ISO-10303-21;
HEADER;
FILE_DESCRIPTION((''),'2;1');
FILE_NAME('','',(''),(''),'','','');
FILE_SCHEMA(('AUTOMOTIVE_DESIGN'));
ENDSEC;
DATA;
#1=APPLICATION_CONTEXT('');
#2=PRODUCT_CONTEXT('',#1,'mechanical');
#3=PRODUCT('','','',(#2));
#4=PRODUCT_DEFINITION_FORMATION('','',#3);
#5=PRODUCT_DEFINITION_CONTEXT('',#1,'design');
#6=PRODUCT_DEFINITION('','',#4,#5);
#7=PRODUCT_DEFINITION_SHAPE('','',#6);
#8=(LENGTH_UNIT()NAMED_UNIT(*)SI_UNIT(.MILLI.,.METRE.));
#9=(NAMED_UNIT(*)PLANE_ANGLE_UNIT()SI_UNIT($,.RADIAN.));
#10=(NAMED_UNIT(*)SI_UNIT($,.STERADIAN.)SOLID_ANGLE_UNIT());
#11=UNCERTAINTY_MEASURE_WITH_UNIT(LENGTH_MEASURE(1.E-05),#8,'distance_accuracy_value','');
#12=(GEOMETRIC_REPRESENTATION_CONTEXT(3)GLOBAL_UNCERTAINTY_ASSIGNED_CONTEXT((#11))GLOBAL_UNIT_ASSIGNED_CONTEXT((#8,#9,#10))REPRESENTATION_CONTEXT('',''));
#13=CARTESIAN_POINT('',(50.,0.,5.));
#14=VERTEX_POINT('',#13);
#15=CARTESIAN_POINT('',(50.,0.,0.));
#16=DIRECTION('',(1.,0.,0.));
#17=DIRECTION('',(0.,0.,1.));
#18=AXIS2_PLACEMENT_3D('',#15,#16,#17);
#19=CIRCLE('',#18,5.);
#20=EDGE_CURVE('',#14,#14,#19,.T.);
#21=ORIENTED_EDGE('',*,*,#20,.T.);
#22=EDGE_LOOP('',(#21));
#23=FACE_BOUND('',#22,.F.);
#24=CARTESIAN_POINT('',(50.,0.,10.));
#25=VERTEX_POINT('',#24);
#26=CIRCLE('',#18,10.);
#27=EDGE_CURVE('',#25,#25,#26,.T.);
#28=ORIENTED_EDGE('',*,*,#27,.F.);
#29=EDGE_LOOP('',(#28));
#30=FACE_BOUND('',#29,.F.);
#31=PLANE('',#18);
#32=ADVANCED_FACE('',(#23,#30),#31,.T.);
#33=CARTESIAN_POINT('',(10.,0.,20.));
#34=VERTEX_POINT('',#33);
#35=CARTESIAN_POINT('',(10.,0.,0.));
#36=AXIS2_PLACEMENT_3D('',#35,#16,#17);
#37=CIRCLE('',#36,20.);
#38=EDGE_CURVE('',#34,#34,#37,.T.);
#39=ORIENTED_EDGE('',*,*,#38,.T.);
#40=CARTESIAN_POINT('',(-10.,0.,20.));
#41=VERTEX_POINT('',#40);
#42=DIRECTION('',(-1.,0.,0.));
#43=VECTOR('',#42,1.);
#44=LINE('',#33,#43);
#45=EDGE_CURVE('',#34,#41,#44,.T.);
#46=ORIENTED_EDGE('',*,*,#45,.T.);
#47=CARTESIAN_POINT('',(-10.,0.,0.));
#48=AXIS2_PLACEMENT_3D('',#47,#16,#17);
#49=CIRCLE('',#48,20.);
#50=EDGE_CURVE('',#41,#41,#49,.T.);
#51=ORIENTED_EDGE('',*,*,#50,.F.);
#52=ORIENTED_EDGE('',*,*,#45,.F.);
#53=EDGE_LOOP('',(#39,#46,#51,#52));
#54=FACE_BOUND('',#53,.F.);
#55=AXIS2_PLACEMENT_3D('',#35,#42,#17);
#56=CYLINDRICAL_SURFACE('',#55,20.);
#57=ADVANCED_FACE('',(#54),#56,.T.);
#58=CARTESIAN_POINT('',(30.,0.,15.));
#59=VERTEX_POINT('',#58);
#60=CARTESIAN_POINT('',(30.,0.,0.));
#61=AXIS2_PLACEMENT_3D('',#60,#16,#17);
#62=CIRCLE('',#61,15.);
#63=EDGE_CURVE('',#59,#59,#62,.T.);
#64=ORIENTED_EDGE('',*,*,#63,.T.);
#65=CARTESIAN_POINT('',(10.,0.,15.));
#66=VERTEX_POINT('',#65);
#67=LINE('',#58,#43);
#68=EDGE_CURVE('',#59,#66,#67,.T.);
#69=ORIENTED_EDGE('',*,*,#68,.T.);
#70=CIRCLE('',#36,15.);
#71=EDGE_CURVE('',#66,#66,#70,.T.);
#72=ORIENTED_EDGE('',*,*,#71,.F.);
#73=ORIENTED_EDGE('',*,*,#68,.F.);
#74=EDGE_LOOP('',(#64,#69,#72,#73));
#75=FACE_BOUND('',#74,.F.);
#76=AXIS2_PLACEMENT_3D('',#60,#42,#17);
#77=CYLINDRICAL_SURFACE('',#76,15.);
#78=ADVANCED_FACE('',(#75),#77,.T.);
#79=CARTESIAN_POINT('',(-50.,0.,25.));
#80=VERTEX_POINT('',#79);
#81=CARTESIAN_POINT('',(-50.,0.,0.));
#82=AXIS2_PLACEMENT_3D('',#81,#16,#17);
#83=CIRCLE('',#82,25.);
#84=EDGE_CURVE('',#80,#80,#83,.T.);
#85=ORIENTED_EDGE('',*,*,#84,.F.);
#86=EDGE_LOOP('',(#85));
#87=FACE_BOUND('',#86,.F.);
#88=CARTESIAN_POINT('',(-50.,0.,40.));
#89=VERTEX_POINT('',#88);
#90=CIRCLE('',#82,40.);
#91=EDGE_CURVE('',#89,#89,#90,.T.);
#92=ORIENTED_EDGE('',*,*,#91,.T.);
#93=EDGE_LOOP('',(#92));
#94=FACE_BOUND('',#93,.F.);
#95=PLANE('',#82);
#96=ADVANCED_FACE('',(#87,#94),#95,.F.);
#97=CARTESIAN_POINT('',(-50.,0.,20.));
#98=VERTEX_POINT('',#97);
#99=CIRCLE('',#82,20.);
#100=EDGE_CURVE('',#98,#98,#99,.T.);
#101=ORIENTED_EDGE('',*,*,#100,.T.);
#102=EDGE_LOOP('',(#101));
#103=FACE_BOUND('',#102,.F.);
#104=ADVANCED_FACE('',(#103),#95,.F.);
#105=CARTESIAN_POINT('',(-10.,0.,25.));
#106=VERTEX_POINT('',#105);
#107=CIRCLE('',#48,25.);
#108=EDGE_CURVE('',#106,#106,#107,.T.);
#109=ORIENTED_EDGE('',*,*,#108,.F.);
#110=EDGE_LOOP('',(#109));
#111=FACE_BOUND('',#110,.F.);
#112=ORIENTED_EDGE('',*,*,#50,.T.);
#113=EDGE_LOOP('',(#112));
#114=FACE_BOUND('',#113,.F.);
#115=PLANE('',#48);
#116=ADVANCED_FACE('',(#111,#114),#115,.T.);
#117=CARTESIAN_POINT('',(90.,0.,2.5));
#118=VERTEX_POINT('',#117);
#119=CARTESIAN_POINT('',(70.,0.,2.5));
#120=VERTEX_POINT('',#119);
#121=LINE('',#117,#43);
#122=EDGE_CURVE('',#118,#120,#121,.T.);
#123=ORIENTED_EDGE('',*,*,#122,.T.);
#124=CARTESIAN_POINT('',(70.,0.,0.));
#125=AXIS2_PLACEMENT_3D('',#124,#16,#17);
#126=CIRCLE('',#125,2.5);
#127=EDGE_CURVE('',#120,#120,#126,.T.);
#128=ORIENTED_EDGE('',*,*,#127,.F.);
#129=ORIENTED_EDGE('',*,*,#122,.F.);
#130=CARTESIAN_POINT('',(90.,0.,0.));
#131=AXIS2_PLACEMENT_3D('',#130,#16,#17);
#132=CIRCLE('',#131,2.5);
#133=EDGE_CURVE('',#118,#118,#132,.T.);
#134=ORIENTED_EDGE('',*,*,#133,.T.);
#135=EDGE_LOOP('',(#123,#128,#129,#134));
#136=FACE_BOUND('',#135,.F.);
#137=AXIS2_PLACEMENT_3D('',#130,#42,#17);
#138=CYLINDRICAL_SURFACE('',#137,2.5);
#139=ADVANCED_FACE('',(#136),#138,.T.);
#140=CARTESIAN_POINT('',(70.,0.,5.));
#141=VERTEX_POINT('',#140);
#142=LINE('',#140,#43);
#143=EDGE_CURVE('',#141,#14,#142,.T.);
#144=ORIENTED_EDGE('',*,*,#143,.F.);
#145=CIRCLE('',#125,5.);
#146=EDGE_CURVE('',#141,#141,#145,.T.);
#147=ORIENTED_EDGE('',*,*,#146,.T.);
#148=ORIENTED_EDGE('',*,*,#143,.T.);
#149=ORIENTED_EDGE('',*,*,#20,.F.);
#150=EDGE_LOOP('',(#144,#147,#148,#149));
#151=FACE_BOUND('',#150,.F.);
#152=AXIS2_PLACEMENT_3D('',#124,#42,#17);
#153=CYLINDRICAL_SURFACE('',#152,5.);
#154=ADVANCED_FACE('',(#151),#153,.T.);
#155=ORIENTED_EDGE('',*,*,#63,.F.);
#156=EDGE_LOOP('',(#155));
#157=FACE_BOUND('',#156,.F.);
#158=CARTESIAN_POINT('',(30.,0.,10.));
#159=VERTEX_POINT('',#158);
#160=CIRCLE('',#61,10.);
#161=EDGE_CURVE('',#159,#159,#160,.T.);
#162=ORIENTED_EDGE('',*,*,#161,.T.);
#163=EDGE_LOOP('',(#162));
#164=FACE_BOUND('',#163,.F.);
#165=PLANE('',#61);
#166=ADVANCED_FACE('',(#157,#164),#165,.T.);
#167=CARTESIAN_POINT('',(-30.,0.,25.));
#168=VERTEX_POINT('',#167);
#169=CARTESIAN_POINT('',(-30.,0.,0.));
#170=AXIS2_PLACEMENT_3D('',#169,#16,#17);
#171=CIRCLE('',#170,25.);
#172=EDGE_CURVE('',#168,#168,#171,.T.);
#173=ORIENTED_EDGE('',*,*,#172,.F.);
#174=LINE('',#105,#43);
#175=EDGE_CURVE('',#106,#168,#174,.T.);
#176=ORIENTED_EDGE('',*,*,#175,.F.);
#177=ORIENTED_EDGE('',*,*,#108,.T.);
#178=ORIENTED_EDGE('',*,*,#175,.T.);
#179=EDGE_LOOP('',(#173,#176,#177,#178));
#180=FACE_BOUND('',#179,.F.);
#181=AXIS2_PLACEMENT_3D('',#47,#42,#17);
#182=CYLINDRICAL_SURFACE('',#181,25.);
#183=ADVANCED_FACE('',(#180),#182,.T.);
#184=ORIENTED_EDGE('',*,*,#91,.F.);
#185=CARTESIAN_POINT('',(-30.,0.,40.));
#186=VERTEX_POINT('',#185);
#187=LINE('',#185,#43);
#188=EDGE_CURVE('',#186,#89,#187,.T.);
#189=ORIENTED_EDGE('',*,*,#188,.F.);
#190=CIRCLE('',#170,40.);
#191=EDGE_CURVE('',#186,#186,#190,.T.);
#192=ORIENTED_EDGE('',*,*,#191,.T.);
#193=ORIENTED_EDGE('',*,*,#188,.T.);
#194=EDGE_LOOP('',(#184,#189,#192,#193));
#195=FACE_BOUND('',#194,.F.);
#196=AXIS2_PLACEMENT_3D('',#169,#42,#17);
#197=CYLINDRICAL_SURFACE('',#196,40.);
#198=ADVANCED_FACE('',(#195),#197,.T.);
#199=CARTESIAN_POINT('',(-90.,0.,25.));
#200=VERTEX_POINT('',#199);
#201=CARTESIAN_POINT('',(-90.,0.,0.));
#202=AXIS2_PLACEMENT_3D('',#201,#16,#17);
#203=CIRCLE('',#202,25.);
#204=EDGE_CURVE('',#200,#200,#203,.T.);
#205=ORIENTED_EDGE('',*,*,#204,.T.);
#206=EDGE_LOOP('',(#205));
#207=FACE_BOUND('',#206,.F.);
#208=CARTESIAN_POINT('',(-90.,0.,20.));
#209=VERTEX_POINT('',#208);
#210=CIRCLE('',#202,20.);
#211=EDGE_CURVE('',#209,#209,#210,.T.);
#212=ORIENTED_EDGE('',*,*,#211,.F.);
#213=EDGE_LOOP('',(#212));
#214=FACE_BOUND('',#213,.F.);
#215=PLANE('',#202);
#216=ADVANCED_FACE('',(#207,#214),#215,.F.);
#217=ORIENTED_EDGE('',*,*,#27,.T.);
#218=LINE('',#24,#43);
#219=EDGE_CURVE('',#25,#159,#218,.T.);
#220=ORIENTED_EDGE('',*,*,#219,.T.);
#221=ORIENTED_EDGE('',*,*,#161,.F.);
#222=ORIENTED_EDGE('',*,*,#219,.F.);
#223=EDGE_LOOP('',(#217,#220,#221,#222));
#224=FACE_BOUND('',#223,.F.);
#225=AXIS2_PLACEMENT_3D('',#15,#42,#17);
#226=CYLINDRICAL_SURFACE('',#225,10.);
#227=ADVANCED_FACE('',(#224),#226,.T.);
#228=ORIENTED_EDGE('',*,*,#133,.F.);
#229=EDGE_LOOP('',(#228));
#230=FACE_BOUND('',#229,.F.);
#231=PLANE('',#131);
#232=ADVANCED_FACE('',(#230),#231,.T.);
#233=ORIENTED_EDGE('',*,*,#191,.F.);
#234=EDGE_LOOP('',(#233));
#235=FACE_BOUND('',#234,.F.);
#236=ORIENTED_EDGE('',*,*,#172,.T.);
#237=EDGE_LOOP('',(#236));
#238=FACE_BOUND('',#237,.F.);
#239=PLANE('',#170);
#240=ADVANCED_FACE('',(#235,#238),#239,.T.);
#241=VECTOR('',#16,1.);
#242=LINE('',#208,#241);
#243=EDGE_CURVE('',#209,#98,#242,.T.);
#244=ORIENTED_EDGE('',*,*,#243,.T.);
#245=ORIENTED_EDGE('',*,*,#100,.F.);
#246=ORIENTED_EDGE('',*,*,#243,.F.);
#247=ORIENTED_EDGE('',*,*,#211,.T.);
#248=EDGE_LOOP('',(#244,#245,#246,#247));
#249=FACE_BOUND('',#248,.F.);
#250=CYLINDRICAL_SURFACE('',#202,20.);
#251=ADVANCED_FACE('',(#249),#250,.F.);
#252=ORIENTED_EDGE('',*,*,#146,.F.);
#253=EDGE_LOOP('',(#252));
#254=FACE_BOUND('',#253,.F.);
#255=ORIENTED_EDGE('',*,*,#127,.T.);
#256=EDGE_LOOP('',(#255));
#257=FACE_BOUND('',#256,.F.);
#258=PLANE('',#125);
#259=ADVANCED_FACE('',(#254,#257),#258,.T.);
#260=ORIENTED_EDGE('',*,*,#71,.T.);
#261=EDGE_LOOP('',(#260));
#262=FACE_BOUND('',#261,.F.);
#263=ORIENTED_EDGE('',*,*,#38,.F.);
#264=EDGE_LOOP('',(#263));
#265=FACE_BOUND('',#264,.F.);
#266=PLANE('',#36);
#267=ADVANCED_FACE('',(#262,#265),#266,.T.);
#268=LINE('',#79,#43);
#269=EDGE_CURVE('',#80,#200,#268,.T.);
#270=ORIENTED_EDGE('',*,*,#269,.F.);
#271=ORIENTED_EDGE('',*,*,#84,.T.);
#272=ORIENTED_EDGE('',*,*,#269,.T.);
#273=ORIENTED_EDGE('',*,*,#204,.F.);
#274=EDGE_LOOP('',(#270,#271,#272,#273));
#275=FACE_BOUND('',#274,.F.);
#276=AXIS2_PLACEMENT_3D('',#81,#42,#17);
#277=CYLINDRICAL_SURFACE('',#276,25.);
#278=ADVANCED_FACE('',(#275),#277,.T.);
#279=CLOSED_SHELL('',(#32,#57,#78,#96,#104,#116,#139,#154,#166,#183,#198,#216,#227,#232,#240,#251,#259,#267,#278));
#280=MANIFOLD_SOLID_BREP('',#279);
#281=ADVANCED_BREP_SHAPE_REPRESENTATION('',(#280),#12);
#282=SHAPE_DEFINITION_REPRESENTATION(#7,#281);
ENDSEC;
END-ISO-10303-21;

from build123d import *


with BuildPart() as f1:
    # F0 (on Front) → F1 (revolve)
    with BuildSketch(Plane.XZ):
        Polygon((-50, 25), (-90, 25), (-90, 20), (-50, 20), (-50, 0), (90, 0), (90, 2.5), (70, 2.5), (70, 5), (50, 5), (50, 10), (30, 10), (30, 15), (10, 15), (10, 20), (-10, 20), (-10, 25), (-30, 25), (-30, 40), (-50, 40), align=None)
    revolve(axis=Axis((-0.486968, 0, 0), (1, 0, 0)))


solid = f1.part
